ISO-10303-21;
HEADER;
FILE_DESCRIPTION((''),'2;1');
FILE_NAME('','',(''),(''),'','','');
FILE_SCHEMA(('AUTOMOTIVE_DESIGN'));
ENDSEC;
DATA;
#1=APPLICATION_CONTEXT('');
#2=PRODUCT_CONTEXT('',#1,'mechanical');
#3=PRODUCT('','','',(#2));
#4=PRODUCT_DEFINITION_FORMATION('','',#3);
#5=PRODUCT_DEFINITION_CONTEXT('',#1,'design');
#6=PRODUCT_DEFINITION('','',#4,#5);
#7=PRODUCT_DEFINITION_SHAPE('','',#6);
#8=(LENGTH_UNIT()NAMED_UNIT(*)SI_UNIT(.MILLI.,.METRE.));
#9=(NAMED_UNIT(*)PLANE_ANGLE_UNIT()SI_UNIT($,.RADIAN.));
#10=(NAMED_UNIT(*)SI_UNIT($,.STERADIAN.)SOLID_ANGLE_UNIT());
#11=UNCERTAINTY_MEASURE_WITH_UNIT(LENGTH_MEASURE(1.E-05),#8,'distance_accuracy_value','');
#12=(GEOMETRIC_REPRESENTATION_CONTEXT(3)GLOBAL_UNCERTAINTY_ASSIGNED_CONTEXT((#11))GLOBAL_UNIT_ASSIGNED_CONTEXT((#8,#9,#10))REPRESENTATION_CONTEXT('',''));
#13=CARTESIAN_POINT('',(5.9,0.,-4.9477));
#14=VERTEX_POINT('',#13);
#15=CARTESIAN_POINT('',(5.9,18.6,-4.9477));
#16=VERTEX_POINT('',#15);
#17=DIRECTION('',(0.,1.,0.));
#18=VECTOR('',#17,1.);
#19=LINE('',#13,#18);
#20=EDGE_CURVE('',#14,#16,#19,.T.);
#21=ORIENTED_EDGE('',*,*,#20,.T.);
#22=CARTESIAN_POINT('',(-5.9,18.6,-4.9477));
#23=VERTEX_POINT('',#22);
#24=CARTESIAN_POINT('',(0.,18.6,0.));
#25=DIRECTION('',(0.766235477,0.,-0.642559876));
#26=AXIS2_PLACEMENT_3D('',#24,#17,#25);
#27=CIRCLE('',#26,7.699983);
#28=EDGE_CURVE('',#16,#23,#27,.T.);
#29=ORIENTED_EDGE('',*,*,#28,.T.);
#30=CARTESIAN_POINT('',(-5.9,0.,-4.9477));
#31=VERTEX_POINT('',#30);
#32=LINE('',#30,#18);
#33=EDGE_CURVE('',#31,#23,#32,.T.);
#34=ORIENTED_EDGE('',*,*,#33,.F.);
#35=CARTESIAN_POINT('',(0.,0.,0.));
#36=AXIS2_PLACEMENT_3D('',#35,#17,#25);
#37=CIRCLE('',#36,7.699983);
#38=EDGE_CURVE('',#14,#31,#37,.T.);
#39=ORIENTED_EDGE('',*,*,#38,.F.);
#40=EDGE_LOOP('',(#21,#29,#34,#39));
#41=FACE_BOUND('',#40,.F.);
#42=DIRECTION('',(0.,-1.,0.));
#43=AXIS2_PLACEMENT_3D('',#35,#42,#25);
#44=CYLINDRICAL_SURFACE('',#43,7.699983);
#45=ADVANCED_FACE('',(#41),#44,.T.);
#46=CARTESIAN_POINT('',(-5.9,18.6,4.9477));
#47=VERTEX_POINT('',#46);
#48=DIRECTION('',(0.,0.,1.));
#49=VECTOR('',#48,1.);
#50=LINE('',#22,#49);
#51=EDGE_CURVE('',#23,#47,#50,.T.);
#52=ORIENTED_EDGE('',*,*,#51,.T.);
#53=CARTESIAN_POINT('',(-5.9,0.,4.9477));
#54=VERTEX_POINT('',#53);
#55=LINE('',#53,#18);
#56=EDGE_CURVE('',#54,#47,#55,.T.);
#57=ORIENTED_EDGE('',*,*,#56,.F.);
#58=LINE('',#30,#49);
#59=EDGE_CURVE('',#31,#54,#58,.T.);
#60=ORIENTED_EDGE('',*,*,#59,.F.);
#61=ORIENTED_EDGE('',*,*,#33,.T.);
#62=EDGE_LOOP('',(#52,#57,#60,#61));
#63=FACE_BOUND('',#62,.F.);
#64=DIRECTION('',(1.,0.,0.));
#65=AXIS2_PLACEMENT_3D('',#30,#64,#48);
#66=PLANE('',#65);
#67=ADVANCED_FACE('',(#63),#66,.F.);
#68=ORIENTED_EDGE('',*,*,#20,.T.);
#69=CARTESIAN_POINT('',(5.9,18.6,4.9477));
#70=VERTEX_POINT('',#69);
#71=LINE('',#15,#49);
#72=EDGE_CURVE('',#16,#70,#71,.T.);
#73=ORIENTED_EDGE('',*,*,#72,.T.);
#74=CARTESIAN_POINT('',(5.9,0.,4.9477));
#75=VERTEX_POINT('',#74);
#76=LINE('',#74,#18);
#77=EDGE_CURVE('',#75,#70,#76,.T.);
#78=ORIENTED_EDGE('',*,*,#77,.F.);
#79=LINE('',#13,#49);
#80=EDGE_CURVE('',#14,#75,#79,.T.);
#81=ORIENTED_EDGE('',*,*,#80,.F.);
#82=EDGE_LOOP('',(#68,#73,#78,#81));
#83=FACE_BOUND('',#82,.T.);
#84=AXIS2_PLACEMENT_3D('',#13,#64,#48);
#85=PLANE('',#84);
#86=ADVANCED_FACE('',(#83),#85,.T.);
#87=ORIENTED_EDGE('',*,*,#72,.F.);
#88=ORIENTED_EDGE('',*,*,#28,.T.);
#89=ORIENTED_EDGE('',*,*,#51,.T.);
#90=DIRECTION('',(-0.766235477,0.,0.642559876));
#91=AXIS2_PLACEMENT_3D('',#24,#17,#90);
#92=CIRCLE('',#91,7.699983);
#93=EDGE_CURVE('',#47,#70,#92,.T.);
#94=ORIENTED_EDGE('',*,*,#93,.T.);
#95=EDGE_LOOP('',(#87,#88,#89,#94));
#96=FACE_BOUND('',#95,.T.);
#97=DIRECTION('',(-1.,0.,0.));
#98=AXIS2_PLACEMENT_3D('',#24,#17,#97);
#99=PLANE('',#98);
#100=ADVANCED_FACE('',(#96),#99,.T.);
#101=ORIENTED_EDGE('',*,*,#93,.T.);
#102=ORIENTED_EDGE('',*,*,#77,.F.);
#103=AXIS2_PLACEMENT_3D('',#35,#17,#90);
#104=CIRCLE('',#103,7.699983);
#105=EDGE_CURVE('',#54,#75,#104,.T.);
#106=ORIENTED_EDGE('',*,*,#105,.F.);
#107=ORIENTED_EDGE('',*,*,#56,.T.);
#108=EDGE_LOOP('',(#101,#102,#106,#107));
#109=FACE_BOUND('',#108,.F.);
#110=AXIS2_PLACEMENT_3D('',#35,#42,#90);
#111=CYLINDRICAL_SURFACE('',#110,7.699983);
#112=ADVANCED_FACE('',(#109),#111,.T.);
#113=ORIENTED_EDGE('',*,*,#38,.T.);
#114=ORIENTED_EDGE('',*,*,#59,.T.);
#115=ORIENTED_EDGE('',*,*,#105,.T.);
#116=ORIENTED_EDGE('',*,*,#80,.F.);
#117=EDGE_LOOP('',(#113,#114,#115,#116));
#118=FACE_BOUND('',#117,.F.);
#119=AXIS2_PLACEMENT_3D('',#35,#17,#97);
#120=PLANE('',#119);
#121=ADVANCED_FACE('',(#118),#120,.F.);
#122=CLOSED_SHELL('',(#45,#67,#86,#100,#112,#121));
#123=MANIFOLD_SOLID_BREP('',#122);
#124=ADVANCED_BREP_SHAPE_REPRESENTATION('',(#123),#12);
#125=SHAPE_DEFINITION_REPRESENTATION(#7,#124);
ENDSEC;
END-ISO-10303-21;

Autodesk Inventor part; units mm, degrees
ref_plane "YZ Plane" through (0, 0, 0) normal (1, 0, 0) x (0, 1, 0)
ref_plane "XZ Plane" through (0, 0, 0) normal (0, 1, 0) x (-1, 0, 0)
ref_plane "XY Plane" through (0, 0, 0) normal (0, 0, 1) x (1, 0, 0)
sketch "Esquisse1" plane through (0, 0, 0) normal (0, 1, 0) x (-1, 0, 0)
  line L0 (5.9, -4.9477) -> (5.9, 4.9477)
  line L1 (-5.9, -4.9477) -> (-5.9, 4.9477)
  arc A0 (5.9, 4.9477) -> (-5.9, 4.9477) centre (0, 0) ccw
  arc A1 (-5.9, -4.9477) -> (5.9, -4.9477) centre (0, 0) ccw
extrude "Extrusion1" add sketch "Esquisse1" along normal blind 18.6
properties part number "moteurG6V2"
